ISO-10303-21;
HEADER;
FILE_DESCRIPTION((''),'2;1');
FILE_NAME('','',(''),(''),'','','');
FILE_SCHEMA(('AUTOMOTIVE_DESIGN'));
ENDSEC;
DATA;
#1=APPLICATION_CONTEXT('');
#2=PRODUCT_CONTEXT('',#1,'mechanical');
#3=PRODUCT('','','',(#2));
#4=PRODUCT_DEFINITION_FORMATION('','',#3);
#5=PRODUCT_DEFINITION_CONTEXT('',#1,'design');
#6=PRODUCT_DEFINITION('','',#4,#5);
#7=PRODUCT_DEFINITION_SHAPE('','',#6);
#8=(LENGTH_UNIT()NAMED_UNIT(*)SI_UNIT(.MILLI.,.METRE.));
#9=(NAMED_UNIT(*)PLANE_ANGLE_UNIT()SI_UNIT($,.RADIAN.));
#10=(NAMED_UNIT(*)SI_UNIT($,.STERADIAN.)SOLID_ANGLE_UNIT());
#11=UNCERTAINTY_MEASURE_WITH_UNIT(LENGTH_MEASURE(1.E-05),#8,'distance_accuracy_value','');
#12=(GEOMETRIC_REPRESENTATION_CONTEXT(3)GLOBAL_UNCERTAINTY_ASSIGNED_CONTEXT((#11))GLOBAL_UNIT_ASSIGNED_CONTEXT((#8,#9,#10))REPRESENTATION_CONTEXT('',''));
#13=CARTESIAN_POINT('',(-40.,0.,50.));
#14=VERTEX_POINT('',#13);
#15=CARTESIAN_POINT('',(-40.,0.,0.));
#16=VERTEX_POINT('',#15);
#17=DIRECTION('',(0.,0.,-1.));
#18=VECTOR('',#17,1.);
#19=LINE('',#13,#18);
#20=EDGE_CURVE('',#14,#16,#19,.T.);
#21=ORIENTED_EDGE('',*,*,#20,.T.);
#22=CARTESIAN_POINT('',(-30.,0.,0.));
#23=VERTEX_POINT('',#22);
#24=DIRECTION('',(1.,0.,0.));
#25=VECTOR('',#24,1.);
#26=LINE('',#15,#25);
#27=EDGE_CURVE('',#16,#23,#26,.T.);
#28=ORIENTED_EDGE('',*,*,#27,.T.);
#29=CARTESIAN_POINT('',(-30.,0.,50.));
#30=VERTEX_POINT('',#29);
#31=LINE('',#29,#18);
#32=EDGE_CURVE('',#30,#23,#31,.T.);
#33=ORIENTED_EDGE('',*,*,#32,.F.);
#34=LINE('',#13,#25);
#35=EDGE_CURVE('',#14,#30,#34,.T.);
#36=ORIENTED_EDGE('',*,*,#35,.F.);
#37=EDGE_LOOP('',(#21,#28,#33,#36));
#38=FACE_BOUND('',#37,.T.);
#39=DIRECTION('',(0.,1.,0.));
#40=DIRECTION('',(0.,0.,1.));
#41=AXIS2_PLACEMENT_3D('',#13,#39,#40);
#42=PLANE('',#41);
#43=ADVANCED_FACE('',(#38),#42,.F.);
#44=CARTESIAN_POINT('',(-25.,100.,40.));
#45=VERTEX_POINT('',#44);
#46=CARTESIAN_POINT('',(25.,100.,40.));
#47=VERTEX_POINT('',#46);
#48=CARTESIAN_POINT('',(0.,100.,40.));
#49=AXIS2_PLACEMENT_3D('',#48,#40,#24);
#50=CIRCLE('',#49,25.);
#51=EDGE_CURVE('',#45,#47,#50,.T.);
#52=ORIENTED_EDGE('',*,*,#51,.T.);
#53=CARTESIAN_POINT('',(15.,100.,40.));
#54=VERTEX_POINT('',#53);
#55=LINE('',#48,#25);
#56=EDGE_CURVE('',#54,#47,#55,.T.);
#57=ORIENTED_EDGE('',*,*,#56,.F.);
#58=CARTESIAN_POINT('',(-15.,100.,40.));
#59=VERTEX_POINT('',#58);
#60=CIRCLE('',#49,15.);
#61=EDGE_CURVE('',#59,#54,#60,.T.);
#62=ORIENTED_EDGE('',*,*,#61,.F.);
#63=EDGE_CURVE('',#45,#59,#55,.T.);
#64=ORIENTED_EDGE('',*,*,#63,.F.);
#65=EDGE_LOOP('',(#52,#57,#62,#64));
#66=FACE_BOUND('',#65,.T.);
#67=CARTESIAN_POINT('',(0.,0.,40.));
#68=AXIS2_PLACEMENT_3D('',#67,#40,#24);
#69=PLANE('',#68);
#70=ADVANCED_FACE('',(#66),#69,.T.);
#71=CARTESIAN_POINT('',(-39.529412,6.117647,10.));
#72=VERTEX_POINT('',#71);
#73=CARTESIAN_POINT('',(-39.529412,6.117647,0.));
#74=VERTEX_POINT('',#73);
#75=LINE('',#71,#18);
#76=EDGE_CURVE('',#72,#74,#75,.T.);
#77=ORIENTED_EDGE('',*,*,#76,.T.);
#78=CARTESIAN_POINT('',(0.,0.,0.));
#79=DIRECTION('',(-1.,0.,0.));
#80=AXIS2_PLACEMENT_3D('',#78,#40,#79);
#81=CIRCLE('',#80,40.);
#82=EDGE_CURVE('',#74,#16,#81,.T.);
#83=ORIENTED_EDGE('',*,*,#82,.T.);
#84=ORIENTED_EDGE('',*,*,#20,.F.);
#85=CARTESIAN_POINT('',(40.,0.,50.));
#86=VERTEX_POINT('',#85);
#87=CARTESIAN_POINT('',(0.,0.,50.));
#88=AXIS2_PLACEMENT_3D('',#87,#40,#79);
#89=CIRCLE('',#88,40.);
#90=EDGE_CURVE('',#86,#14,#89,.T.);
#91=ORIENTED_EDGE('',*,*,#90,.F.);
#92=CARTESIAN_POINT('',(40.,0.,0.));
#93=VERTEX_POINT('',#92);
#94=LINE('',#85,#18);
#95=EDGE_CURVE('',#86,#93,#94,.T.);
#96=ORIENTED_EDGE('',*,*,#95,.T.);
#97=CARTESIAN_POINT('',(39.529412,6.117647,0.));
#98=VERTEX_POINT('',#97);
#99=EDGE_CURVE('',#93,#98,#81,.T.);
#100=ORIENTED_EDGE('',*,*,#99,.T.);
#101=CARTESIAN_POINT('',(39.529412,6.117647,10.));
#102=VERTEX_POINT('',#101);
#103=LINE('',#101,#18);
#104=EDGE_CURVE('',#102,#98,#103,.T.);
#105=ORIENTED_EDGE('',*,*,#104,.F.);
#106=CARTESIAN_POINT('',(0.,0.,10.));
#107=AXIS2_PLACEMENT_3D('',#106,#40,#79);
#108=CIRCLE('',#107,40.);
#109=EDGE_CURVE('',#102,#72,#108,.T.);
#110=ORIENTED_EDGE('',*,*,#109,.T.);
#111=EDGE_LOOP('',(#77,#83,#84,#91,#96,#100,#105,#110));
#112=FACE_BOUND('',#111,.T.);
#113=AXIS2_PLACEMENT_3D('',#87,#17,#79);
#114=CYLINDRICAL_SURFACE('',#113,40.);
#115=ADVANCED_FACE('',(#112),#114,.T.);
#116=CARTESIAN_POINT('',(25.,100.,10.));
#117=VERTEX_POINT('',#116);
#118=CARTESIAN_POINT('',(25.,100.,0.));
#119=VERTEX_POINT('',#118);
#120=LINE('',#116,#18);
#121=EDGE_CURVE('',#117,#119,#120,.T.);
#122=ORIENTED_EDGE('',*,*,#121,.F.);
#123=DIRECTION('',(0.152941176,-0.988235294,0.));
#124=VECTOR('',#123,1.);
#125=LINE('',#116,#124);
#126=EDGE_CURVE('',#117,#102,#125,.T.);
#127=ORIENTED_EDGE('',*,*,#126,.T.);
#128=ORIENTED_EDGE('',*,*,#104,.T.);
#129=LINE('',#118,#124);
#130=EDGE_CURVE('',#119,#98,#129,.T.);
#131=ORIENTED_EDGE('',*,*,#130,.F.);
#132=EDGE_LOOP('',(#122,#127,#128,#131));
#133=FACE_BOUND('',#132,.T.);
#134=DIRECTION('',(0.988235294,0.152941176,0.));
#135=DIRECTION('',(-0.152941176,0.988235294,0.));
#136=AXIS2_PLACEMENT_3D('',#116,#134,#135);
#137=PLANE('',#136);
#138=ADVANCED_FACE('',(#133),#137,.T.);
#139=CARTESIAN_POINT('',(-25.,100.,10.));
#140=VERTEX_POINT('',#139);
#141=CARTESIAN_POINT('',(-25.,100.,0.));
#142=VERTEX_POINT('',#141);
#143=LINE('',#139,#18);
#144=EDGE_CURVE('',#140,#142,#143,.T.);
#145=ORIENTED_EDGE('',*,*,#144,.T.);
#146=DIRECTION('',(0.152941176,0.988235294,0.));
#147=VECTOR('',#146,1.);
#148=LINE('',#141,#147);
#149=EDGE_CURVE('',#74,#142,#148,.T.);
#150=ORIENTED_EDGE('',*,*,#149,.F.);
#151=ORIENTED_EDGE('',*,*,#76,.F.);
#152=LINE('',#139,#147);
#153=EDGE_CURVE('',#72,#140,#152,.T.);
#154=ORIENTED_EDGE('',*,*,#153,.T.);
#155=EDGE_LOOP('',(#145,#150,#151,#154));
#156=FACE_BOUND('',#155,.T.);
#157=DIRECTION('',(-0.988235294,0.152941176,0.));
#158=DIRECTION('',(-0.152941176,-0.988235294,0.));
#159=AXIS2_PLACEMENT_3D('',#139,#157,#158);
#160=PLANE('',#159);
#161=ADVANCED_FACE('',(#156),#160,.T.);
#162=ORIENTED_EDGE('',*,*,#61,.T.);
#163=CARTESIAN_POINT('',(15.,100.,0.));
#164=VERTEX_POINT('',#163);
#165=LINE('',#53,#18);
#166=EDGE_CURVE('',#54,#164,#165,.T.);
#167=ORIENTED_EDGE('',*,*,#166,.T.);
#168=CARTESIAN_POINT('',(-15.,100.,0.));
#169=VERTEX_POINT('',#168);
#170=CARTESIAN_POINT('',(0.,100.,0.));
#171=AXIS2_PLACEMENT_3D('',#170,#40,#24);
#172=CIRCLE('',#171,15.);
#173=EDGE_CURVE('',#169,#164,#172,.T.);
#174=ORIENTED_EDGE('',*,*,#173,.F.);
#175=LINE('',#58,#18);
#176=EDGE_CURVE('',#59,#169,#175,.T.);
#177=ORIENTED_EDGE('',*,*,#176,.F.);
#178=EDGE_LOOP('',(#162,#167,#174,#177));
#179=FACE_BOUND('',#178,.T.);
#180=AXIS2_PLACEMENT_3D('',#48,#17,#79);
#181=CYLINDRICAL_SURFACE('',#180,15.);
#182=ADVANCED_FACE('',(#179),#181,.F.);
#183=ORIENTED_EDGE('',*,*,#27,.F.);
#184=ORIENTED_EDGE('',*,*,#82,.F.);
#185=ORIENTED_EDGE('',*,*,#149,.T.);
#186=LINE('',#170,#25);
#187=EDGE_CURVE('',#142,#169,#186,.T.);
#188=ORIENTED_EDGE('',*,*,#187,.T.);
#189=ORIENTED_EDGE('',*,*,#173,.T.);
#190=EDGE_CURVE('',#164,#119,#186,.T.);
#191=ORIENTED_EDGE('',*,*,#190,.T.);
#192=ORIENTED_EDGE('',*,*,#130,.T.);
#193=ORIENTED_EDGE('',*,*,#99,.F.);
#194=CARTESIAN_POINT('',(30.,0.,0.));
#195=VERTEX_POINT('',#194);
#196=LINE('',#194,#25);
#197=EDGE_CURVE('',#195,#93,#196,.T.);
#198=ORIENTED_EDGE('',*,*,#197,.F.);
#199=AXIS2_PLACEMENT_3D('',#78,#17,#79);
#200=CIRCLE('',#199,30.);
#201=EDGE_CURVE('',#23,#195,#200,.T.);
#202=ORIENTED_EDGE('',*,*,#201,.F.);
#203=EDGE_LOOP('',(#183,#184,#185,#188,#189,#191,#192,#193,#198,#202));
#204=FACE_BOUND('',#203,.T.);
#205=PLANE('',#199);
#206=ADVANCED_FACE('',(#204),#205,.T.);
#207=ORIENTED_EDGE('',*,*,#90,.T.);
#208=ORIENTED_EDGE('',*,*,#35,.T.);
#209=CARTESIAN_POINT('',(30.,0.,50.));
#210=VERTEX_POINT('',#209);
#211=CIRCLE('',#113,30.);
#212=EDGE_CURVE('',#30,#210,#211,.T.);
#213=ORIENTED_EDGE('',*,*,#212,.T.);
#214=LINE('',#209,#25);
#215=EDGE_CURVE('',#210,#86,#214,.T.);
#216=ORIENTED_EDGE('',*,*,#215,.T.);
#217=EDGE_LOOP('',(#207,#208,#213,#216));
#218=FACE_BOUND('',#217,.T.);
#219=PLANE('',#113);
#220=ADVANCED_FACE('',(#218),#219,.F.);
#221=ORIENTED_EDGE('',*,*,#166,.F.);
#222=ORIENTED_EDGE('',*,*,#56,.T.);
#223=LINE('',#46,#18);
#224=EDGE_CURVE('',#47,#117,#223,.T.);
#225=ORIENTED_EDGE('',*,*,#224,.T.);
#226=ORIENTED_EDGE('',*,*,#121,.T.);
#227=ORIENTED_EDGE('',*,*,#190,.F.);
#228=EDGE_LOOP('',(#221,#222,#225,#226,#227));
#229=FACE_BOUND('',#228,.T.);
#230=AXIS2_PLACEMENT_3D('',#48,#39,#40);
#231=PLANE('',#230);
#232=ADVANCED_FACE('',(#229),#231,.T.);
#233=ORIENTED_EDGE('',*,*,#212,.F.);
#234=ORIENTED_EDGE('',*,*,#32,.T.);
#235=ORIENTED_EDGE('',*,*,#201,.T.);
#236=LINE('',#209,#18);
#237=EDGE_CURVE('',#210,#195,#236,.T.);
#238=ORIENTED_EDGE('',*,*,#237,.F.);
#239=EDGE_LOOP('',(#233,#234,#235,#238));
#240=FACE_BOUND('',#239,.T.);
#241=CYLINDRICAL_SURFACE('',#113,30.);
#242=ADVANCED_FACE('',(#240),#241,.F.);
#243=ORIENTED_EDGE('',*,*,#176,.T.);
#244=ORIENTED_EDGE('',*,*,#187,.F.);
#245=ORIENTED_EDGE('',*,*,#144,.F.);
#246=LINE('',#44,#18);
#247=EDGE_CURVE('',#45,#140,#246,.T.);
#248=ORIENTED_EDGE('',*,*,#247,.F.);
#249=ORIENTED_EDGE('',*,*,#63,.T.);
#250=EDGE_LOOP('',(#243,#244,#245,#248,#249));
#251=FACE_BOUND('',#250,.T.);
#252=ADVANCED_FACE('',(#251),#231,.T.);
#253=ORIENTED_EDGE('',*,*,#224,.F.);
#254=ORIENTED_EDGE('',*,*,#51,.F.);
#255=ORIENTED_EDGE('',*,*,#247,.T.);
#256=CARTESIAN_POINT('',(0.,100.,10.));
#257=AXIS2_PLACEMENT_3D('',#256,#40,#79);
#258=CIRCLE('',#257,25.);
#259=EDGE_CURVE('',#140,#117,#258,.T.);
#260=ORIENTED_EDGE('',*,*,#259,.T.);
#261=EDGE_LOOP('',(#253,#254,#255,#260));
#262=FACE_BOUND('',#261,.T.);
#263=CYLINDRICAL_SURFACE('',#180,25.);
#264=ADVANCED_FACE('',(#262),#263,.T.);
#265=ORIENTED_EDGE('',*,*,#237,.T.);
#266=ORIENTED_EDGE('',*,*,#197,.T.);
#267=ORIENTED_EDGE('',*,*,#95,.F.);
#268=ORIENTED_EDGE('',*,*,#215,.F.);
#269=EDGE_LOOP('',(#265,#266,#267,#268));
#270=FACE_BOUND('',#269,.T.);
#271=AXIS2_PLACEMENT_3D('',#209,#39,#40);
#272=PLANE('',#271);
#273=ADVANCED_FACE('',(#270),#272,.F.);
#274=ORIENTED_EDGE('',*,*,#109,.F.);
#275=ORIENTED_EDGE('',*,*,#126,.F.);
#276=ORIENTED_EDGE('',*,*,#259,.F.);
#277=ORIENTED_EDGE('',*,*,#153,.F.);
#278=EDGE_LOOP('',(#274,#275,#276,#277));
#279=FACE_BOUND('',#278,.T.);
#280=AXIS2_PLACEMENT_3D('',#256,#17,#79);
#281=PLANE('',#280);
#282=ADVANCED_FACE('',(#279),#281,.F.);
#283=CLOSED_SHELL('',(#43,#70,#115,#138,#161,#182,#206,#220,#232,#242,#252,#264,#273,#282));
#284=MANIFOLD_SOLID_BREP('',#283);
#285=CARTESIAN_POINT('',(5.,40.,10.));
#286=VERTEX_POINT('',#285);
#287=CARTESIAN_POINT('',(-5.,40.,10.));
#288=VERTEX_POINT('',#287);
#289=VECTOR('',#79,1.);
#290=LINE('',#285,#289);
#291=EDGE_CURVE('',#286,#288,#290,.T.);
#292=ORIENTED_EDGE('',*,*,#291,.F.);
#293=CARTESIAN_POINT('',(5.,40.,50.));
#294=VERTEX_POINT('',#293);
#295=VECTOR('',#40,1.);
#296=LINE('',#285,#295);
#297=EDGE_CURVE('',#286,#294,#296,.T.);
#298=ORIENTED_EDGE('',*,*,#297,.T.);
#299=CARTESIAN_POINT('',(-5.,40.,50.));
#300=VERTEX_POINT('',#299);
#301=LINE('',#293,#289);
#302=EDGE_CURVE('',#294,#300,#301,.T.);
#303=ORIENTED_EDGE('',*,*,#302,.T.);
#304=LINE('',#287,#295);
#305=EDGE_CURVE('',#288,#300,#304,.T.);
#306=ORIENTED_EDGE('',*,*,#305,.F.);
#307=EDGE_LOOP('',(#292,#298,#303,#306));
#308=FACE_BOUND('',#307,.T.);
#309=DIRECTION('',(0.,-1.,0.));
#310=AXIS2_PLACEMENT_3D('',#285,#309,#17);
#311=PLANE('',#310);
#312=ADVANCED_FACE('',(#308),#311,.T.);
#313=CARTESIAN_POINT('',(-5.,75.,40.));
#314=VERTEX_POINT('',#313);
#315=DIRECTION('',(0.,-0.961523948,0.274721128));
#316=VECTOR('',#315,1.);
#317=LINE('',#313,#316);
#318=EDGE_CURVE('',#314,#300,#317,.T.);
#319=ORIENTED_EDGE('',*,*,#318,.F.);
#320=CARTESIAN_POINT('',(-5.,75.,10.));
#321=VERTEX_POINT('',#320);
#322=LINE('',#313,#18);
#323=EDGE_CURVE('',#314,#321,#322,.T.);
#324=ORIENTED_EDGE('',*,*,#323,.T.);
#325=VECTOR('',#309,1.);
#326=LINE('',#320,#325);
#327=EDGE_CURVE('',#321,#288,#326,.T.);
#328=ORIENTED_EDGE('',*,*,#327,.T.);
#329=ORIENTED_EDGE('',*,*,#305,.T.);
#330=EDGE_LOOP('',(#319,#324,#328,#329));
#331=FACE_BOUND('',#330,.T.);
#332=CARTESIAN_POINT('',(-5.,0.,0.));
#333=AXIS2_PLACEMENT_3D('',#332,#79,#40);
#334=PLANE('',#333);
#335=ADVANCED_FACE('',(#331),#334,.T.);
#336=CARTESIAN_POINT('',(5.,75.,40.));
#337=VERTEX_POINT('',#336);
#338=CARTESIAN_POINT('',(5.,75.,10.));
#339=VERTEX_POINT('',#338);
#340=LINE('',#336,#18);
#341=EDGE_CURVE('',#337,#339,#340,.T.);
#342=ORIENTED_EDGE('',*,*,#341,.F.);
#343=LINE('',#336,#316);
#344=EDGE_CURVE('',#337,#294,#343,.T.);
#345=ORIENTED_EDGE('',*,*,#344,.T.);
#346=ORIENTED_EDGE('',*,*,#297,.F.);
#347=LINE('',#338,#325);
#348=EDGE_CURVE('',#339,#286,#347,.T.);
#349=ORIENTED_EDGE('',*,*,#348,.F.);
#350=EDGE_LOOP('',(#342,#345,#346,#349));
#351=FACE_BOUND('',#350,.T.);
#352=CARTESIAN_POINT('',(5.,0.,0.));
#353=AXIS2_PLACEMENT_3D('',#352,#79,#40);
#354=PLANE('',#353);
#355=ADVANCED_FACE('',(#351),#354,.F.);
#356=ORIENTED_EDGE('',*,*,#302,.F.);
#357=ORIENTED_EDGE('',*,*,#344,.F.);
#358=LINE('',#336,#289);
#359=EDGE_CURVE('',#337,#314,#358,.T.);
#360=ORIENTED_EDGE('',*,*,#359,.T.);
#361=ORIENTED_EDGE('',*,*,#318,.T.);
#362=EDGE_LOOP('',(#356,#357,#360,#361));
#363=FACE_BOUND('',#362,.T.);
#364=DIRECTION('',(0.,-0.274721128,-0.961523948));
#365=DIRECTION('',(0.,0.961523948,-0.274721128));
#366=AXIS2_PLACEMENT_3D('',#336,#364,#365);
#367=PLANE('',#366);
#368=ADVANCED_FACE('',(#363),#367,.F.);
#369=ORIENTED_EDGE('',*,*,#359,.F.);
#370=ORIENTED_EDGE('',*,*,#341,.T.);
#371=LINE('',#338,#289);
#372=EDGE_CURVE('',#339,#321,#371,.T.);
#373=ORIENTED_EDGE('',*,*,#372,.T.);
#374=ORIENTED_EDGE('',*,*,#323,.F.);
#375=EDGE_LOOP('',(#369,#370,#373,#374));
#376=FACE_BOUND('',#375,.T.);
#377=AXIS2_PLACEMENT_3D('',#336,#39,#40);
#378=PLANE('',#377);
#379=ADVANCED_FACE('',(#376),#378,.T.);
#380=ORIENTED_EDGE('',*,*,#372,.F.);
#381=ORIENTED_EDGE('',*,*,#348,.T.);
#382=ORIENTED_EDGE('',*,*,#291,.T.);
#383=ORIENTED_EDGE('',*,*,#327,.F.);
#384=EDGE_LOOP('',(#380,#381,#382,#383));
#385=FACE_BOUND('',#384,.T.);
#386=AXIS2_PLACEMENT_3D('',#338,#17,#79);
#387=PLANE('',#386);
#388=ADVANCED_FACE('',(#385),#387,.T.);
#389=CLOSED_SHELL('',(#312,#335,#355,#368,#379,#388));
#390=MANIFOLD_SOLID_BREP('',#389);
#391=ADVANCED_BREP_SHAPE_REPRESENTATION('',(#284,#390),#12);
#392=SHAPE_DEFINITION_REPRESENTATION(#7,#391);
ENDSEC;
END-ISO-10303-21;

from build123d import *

# Parameters (mm, degrees)
BOSS_EXTRUDE1_DEPTH = 50
BOSS_EXTRUDE4_DEPTH = 40
BOSS_EXTRUDE6_DEPTH = 10
BOSS_EXTRUDE8_DEPTH = 5


with BuildPart() as part:
    # Sketch1 → Boss-Extrude1 (new body)
    with BuildSketch(Plane.XY):
        with BuildLine():
            Line((-40, 0), (-30, 0))
            ThreePointArc((-30, 0), (0, 30), (30, 0))
            Line((30, 0), (40, 0))
            ThreePointArc((40, 0), (0, 40), (-40, 0))
        make_face()
    extrude(amount=BOSS_EXTRUDE1_DEPTH)



with BuildPart() as body_2:
    # Sketch2 → Boss-Extrude4 (new body)
    with BuildSketch(Plane.XY):
        with BuildLine():
            Line((-25, 100), (-15, 100))
            ThreePointArc((-15, 100), (0, 85), (15, 100))
            Line((15, 100), (25, 100))
            ThreePointArc((25, 100), (0, 75), (-25, 100))
        make_face()
    extrude(amount=BOSS_EXTRUDE4_DEPTH)


with BuildPart() as part_1:
    add(part.part)

    add(body_2.part)  # Boss-Extrude6 merges body 2
    # Sketch6 → Boss-Extrude6 (add)
    with BuildSketch(Plane(origin=(0, 0, 0), x_dir=(-1, 0, 0), z_dir=(0, 0, -1))):
        with BuildLine():
            Line((-25, 100), (-39.529411765, 6.117647059))
            ThreePointArc((-39.529411765, 6.117647059), (0, 40), (39.529411765, 6.117647059))
            Line((39.529411765, 6.117647059), (25, 100))
            ThreePointArc((25, 100), (0, 75), (-25, 100))
        make_face()
    extrude(amount=-BOSS_EXTRUDE6_DEPTH)


with BuildPart() as body_2_2:
    # Sketch7 → Boss-Extrude8 (new body, symmetric)
    with BuildSketch(Plane(origin=(0, 0, 0), x_dir=(0, 0, -1), z_dir=(1, 0, 0))):
        Polygon((-40, 75), (-50, 40), (-10, 40), (-10, 75), align=None)
    extrude(amount=BOSS_EXTRUDE8_DEPTH, both=True)


solid = Compound([part_1.part, body_2_2.part])
